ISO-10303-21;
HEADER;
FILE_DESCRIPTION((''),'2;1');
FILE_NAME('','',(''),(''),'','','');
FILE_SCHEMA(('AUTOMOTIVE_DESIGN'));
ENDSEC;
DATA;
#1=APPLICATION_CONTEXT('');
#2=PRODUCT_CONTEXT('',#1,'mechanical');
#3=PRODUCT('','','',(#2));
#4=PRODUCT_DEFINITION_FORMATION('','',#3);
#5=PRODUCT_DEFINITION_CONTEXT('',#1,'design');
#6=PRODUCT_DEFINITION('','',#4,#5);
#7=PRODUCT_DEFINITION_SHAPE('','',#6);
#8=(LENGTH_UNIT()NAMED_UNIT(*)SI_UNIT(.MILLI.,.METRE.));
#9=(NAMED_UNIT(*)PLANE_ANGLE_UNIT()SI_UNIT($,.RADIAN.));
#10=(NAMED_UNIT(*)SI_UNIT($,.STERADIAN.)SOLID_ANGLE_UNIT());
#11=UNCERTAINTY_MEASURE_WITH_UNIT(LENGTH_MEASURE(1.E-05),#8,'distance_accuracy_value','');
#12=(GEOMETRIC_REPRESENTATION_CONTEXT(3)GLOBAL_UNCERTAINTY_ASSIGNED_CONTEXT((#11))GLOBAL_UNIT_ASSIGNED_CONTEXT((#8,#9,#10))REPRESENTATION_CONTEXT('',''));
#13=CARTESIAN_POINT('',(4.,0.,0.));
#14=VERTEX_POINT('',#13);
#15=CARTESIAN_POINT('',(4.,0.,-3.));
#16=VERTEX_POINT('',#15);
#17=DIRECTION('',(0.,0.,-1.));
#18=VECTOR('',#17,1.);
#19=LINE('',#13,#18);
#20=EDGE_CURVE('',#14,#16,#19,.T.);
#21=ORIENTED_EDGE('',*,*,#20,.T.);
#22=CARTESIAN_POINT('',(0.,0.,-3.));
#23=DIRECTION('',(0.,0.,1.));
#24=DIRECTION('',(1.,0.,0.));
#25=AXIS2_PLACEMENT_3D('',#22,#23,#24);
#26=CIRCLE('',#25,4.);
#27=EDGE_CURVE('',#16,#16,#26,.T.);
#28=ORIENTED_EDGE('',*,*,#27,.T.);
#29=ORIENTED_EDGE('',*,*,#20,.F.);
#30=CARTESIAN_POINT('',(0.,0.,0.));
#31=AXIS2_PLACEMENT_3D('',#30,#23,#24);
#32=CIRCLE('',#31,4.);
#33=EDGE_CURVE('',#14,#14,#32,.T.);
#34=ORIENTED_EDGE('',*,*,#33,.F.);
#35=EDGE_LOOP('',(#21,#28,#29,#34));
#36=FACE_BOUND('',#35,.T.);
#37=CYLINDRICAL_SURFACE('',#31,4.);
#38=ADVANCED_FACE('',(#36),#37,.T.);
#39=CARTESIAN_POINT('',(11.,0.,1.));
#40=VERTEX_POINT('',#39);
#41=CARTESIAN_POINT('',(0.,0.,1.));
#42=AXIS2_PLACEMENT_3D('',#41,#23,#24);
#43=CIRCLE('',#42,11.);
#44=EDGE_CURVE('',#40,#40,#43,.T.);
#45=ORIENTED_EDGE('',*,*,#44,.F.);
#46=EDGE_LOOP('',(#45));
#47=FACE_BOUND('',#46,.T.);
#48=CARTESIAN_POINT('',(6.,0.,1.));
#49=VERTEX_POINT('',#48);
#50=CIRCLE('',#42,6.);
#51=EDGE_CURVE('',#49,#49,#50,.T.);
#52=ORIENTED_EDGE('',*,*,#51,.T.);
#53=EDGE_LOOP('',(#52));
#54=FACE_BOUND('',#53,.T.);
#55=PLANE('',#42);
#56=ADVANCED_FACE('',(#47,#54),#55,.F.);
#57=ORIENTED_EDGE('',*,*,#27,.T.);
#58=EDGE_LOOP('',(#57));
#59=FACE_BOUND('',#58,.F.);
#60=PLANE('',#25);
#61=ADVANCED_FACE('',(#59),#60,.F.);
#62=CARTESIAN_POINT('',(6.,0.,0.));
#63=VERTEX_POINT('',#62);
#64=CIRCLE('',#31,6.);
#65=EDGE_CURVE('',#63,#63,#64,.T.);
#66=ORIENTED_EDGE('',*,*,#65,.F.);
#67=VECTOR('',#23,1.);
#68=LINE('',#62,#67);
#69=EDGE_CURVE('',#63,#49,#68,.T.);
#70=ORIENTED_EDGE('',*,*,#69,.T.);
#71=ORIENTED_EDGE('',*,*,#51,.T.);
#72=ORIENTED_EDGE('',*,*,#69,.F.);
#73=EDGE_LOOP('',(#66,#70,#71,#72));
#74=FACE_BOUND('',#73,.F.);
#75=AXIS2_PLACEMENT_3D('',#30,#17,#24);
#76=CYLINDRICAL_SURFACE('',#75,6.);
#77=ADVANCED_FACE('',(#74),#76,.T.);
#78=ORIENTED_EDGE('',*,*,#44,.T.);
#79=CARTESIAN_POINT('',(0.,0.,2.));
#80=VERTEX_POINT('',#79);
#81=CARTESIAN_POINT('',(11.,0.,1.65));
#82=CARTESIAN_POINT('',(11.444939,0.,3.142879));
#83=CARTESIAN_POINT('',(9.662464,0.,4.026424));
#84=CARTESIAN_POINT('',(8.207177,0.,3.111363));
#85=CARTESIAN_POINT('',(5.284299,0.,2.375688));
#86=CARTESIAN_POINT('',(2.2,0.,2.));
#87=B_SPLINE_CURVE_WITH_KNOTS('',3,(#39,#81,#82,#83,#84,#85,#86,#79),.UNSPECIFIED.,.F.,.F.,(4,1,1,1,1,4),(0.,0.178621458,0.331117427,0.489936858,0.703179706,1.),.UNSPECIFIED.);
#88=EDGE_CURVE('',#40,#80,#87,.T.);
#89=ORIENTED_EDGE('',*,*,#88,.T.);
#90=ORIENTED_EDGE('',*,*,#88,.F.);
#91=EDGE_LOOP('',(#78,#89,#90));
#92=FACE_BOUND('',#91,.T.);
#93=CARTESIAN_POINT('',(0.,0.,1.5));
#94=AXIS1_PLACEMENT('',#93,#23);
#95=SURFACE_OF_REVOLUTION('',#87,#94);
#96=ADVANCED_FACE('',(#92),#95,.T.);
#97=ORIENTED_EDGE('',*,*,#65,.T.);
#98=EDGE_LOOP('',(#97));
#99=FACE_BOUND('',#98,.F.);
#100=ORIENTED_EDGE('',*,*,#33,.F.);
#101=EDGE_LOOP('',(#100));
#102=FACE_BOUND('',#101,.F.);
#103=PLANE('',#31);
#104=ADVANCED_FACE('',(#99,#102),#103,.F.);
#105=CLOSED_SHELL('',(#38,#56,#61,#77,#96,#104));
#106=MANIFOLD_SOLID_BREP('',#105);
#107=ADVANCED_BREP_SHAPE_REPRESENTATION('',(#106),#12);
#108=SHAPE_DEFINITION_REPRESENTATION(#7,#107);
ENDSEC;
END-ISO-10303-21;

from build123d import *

# Parameters (mm, degrees)
F0_R     = 4
F1_DEPTH = 3
F2_R     = 6
F2_R_2   = 4
F3_DEPTH = 1
F4_DEPTH = 1


with BuildPart() as f1:
    # F0 (on Top) → F1 (new body)
    with BuildSketch(Plane.XY):
        Circle(F0_R)
    extrude(amount=-F1_DEPTH)

    # F2 (on face) → F3 (join)
    with BuildSketch(Plane.XY):
        Circle(F2_R)
        Circle(F2_R_2, mode=Mode.SUBTRACT)
    extrude(amount=F3_DEPTH)

    # F4 (add, through all): a face of the model
    f4_faces = [f1.faces().sort_by_distance(p)[0] for p in [
        (0, 0, 0),
    ]]
    extrude(f4_faces, amount=F4_DEPTH)

    # F5 (on Front) → F6 (revolve)
    with BuildSketch(Plane.XZ):
        with BuildLine():
            Line((0, 2), (0, 1))
            Line((0, 1), (6, 1))
            Line((6, 1), (11, 1))
            add(Edge.make_bspline(
                [(11, 1), (11, 1.65), (11.4449391536, 3.1428787942), (9.6624643848, 4.0264235076), (8.2071766001, 3.1113625007), (5.2842991643, 2.3756880307), (2.2, 2), (0, 2)],
                knots=[0, 0, 0, 0, 0.1786214578, 0.3311174273, 0.4899368576, 0.7031797056, 1, 1, 1, 1], degree=3))
        make_face()
    revolve(axis=Axis((0, 0, 1.5), (0, 0, 1)))


solid = f1.part
